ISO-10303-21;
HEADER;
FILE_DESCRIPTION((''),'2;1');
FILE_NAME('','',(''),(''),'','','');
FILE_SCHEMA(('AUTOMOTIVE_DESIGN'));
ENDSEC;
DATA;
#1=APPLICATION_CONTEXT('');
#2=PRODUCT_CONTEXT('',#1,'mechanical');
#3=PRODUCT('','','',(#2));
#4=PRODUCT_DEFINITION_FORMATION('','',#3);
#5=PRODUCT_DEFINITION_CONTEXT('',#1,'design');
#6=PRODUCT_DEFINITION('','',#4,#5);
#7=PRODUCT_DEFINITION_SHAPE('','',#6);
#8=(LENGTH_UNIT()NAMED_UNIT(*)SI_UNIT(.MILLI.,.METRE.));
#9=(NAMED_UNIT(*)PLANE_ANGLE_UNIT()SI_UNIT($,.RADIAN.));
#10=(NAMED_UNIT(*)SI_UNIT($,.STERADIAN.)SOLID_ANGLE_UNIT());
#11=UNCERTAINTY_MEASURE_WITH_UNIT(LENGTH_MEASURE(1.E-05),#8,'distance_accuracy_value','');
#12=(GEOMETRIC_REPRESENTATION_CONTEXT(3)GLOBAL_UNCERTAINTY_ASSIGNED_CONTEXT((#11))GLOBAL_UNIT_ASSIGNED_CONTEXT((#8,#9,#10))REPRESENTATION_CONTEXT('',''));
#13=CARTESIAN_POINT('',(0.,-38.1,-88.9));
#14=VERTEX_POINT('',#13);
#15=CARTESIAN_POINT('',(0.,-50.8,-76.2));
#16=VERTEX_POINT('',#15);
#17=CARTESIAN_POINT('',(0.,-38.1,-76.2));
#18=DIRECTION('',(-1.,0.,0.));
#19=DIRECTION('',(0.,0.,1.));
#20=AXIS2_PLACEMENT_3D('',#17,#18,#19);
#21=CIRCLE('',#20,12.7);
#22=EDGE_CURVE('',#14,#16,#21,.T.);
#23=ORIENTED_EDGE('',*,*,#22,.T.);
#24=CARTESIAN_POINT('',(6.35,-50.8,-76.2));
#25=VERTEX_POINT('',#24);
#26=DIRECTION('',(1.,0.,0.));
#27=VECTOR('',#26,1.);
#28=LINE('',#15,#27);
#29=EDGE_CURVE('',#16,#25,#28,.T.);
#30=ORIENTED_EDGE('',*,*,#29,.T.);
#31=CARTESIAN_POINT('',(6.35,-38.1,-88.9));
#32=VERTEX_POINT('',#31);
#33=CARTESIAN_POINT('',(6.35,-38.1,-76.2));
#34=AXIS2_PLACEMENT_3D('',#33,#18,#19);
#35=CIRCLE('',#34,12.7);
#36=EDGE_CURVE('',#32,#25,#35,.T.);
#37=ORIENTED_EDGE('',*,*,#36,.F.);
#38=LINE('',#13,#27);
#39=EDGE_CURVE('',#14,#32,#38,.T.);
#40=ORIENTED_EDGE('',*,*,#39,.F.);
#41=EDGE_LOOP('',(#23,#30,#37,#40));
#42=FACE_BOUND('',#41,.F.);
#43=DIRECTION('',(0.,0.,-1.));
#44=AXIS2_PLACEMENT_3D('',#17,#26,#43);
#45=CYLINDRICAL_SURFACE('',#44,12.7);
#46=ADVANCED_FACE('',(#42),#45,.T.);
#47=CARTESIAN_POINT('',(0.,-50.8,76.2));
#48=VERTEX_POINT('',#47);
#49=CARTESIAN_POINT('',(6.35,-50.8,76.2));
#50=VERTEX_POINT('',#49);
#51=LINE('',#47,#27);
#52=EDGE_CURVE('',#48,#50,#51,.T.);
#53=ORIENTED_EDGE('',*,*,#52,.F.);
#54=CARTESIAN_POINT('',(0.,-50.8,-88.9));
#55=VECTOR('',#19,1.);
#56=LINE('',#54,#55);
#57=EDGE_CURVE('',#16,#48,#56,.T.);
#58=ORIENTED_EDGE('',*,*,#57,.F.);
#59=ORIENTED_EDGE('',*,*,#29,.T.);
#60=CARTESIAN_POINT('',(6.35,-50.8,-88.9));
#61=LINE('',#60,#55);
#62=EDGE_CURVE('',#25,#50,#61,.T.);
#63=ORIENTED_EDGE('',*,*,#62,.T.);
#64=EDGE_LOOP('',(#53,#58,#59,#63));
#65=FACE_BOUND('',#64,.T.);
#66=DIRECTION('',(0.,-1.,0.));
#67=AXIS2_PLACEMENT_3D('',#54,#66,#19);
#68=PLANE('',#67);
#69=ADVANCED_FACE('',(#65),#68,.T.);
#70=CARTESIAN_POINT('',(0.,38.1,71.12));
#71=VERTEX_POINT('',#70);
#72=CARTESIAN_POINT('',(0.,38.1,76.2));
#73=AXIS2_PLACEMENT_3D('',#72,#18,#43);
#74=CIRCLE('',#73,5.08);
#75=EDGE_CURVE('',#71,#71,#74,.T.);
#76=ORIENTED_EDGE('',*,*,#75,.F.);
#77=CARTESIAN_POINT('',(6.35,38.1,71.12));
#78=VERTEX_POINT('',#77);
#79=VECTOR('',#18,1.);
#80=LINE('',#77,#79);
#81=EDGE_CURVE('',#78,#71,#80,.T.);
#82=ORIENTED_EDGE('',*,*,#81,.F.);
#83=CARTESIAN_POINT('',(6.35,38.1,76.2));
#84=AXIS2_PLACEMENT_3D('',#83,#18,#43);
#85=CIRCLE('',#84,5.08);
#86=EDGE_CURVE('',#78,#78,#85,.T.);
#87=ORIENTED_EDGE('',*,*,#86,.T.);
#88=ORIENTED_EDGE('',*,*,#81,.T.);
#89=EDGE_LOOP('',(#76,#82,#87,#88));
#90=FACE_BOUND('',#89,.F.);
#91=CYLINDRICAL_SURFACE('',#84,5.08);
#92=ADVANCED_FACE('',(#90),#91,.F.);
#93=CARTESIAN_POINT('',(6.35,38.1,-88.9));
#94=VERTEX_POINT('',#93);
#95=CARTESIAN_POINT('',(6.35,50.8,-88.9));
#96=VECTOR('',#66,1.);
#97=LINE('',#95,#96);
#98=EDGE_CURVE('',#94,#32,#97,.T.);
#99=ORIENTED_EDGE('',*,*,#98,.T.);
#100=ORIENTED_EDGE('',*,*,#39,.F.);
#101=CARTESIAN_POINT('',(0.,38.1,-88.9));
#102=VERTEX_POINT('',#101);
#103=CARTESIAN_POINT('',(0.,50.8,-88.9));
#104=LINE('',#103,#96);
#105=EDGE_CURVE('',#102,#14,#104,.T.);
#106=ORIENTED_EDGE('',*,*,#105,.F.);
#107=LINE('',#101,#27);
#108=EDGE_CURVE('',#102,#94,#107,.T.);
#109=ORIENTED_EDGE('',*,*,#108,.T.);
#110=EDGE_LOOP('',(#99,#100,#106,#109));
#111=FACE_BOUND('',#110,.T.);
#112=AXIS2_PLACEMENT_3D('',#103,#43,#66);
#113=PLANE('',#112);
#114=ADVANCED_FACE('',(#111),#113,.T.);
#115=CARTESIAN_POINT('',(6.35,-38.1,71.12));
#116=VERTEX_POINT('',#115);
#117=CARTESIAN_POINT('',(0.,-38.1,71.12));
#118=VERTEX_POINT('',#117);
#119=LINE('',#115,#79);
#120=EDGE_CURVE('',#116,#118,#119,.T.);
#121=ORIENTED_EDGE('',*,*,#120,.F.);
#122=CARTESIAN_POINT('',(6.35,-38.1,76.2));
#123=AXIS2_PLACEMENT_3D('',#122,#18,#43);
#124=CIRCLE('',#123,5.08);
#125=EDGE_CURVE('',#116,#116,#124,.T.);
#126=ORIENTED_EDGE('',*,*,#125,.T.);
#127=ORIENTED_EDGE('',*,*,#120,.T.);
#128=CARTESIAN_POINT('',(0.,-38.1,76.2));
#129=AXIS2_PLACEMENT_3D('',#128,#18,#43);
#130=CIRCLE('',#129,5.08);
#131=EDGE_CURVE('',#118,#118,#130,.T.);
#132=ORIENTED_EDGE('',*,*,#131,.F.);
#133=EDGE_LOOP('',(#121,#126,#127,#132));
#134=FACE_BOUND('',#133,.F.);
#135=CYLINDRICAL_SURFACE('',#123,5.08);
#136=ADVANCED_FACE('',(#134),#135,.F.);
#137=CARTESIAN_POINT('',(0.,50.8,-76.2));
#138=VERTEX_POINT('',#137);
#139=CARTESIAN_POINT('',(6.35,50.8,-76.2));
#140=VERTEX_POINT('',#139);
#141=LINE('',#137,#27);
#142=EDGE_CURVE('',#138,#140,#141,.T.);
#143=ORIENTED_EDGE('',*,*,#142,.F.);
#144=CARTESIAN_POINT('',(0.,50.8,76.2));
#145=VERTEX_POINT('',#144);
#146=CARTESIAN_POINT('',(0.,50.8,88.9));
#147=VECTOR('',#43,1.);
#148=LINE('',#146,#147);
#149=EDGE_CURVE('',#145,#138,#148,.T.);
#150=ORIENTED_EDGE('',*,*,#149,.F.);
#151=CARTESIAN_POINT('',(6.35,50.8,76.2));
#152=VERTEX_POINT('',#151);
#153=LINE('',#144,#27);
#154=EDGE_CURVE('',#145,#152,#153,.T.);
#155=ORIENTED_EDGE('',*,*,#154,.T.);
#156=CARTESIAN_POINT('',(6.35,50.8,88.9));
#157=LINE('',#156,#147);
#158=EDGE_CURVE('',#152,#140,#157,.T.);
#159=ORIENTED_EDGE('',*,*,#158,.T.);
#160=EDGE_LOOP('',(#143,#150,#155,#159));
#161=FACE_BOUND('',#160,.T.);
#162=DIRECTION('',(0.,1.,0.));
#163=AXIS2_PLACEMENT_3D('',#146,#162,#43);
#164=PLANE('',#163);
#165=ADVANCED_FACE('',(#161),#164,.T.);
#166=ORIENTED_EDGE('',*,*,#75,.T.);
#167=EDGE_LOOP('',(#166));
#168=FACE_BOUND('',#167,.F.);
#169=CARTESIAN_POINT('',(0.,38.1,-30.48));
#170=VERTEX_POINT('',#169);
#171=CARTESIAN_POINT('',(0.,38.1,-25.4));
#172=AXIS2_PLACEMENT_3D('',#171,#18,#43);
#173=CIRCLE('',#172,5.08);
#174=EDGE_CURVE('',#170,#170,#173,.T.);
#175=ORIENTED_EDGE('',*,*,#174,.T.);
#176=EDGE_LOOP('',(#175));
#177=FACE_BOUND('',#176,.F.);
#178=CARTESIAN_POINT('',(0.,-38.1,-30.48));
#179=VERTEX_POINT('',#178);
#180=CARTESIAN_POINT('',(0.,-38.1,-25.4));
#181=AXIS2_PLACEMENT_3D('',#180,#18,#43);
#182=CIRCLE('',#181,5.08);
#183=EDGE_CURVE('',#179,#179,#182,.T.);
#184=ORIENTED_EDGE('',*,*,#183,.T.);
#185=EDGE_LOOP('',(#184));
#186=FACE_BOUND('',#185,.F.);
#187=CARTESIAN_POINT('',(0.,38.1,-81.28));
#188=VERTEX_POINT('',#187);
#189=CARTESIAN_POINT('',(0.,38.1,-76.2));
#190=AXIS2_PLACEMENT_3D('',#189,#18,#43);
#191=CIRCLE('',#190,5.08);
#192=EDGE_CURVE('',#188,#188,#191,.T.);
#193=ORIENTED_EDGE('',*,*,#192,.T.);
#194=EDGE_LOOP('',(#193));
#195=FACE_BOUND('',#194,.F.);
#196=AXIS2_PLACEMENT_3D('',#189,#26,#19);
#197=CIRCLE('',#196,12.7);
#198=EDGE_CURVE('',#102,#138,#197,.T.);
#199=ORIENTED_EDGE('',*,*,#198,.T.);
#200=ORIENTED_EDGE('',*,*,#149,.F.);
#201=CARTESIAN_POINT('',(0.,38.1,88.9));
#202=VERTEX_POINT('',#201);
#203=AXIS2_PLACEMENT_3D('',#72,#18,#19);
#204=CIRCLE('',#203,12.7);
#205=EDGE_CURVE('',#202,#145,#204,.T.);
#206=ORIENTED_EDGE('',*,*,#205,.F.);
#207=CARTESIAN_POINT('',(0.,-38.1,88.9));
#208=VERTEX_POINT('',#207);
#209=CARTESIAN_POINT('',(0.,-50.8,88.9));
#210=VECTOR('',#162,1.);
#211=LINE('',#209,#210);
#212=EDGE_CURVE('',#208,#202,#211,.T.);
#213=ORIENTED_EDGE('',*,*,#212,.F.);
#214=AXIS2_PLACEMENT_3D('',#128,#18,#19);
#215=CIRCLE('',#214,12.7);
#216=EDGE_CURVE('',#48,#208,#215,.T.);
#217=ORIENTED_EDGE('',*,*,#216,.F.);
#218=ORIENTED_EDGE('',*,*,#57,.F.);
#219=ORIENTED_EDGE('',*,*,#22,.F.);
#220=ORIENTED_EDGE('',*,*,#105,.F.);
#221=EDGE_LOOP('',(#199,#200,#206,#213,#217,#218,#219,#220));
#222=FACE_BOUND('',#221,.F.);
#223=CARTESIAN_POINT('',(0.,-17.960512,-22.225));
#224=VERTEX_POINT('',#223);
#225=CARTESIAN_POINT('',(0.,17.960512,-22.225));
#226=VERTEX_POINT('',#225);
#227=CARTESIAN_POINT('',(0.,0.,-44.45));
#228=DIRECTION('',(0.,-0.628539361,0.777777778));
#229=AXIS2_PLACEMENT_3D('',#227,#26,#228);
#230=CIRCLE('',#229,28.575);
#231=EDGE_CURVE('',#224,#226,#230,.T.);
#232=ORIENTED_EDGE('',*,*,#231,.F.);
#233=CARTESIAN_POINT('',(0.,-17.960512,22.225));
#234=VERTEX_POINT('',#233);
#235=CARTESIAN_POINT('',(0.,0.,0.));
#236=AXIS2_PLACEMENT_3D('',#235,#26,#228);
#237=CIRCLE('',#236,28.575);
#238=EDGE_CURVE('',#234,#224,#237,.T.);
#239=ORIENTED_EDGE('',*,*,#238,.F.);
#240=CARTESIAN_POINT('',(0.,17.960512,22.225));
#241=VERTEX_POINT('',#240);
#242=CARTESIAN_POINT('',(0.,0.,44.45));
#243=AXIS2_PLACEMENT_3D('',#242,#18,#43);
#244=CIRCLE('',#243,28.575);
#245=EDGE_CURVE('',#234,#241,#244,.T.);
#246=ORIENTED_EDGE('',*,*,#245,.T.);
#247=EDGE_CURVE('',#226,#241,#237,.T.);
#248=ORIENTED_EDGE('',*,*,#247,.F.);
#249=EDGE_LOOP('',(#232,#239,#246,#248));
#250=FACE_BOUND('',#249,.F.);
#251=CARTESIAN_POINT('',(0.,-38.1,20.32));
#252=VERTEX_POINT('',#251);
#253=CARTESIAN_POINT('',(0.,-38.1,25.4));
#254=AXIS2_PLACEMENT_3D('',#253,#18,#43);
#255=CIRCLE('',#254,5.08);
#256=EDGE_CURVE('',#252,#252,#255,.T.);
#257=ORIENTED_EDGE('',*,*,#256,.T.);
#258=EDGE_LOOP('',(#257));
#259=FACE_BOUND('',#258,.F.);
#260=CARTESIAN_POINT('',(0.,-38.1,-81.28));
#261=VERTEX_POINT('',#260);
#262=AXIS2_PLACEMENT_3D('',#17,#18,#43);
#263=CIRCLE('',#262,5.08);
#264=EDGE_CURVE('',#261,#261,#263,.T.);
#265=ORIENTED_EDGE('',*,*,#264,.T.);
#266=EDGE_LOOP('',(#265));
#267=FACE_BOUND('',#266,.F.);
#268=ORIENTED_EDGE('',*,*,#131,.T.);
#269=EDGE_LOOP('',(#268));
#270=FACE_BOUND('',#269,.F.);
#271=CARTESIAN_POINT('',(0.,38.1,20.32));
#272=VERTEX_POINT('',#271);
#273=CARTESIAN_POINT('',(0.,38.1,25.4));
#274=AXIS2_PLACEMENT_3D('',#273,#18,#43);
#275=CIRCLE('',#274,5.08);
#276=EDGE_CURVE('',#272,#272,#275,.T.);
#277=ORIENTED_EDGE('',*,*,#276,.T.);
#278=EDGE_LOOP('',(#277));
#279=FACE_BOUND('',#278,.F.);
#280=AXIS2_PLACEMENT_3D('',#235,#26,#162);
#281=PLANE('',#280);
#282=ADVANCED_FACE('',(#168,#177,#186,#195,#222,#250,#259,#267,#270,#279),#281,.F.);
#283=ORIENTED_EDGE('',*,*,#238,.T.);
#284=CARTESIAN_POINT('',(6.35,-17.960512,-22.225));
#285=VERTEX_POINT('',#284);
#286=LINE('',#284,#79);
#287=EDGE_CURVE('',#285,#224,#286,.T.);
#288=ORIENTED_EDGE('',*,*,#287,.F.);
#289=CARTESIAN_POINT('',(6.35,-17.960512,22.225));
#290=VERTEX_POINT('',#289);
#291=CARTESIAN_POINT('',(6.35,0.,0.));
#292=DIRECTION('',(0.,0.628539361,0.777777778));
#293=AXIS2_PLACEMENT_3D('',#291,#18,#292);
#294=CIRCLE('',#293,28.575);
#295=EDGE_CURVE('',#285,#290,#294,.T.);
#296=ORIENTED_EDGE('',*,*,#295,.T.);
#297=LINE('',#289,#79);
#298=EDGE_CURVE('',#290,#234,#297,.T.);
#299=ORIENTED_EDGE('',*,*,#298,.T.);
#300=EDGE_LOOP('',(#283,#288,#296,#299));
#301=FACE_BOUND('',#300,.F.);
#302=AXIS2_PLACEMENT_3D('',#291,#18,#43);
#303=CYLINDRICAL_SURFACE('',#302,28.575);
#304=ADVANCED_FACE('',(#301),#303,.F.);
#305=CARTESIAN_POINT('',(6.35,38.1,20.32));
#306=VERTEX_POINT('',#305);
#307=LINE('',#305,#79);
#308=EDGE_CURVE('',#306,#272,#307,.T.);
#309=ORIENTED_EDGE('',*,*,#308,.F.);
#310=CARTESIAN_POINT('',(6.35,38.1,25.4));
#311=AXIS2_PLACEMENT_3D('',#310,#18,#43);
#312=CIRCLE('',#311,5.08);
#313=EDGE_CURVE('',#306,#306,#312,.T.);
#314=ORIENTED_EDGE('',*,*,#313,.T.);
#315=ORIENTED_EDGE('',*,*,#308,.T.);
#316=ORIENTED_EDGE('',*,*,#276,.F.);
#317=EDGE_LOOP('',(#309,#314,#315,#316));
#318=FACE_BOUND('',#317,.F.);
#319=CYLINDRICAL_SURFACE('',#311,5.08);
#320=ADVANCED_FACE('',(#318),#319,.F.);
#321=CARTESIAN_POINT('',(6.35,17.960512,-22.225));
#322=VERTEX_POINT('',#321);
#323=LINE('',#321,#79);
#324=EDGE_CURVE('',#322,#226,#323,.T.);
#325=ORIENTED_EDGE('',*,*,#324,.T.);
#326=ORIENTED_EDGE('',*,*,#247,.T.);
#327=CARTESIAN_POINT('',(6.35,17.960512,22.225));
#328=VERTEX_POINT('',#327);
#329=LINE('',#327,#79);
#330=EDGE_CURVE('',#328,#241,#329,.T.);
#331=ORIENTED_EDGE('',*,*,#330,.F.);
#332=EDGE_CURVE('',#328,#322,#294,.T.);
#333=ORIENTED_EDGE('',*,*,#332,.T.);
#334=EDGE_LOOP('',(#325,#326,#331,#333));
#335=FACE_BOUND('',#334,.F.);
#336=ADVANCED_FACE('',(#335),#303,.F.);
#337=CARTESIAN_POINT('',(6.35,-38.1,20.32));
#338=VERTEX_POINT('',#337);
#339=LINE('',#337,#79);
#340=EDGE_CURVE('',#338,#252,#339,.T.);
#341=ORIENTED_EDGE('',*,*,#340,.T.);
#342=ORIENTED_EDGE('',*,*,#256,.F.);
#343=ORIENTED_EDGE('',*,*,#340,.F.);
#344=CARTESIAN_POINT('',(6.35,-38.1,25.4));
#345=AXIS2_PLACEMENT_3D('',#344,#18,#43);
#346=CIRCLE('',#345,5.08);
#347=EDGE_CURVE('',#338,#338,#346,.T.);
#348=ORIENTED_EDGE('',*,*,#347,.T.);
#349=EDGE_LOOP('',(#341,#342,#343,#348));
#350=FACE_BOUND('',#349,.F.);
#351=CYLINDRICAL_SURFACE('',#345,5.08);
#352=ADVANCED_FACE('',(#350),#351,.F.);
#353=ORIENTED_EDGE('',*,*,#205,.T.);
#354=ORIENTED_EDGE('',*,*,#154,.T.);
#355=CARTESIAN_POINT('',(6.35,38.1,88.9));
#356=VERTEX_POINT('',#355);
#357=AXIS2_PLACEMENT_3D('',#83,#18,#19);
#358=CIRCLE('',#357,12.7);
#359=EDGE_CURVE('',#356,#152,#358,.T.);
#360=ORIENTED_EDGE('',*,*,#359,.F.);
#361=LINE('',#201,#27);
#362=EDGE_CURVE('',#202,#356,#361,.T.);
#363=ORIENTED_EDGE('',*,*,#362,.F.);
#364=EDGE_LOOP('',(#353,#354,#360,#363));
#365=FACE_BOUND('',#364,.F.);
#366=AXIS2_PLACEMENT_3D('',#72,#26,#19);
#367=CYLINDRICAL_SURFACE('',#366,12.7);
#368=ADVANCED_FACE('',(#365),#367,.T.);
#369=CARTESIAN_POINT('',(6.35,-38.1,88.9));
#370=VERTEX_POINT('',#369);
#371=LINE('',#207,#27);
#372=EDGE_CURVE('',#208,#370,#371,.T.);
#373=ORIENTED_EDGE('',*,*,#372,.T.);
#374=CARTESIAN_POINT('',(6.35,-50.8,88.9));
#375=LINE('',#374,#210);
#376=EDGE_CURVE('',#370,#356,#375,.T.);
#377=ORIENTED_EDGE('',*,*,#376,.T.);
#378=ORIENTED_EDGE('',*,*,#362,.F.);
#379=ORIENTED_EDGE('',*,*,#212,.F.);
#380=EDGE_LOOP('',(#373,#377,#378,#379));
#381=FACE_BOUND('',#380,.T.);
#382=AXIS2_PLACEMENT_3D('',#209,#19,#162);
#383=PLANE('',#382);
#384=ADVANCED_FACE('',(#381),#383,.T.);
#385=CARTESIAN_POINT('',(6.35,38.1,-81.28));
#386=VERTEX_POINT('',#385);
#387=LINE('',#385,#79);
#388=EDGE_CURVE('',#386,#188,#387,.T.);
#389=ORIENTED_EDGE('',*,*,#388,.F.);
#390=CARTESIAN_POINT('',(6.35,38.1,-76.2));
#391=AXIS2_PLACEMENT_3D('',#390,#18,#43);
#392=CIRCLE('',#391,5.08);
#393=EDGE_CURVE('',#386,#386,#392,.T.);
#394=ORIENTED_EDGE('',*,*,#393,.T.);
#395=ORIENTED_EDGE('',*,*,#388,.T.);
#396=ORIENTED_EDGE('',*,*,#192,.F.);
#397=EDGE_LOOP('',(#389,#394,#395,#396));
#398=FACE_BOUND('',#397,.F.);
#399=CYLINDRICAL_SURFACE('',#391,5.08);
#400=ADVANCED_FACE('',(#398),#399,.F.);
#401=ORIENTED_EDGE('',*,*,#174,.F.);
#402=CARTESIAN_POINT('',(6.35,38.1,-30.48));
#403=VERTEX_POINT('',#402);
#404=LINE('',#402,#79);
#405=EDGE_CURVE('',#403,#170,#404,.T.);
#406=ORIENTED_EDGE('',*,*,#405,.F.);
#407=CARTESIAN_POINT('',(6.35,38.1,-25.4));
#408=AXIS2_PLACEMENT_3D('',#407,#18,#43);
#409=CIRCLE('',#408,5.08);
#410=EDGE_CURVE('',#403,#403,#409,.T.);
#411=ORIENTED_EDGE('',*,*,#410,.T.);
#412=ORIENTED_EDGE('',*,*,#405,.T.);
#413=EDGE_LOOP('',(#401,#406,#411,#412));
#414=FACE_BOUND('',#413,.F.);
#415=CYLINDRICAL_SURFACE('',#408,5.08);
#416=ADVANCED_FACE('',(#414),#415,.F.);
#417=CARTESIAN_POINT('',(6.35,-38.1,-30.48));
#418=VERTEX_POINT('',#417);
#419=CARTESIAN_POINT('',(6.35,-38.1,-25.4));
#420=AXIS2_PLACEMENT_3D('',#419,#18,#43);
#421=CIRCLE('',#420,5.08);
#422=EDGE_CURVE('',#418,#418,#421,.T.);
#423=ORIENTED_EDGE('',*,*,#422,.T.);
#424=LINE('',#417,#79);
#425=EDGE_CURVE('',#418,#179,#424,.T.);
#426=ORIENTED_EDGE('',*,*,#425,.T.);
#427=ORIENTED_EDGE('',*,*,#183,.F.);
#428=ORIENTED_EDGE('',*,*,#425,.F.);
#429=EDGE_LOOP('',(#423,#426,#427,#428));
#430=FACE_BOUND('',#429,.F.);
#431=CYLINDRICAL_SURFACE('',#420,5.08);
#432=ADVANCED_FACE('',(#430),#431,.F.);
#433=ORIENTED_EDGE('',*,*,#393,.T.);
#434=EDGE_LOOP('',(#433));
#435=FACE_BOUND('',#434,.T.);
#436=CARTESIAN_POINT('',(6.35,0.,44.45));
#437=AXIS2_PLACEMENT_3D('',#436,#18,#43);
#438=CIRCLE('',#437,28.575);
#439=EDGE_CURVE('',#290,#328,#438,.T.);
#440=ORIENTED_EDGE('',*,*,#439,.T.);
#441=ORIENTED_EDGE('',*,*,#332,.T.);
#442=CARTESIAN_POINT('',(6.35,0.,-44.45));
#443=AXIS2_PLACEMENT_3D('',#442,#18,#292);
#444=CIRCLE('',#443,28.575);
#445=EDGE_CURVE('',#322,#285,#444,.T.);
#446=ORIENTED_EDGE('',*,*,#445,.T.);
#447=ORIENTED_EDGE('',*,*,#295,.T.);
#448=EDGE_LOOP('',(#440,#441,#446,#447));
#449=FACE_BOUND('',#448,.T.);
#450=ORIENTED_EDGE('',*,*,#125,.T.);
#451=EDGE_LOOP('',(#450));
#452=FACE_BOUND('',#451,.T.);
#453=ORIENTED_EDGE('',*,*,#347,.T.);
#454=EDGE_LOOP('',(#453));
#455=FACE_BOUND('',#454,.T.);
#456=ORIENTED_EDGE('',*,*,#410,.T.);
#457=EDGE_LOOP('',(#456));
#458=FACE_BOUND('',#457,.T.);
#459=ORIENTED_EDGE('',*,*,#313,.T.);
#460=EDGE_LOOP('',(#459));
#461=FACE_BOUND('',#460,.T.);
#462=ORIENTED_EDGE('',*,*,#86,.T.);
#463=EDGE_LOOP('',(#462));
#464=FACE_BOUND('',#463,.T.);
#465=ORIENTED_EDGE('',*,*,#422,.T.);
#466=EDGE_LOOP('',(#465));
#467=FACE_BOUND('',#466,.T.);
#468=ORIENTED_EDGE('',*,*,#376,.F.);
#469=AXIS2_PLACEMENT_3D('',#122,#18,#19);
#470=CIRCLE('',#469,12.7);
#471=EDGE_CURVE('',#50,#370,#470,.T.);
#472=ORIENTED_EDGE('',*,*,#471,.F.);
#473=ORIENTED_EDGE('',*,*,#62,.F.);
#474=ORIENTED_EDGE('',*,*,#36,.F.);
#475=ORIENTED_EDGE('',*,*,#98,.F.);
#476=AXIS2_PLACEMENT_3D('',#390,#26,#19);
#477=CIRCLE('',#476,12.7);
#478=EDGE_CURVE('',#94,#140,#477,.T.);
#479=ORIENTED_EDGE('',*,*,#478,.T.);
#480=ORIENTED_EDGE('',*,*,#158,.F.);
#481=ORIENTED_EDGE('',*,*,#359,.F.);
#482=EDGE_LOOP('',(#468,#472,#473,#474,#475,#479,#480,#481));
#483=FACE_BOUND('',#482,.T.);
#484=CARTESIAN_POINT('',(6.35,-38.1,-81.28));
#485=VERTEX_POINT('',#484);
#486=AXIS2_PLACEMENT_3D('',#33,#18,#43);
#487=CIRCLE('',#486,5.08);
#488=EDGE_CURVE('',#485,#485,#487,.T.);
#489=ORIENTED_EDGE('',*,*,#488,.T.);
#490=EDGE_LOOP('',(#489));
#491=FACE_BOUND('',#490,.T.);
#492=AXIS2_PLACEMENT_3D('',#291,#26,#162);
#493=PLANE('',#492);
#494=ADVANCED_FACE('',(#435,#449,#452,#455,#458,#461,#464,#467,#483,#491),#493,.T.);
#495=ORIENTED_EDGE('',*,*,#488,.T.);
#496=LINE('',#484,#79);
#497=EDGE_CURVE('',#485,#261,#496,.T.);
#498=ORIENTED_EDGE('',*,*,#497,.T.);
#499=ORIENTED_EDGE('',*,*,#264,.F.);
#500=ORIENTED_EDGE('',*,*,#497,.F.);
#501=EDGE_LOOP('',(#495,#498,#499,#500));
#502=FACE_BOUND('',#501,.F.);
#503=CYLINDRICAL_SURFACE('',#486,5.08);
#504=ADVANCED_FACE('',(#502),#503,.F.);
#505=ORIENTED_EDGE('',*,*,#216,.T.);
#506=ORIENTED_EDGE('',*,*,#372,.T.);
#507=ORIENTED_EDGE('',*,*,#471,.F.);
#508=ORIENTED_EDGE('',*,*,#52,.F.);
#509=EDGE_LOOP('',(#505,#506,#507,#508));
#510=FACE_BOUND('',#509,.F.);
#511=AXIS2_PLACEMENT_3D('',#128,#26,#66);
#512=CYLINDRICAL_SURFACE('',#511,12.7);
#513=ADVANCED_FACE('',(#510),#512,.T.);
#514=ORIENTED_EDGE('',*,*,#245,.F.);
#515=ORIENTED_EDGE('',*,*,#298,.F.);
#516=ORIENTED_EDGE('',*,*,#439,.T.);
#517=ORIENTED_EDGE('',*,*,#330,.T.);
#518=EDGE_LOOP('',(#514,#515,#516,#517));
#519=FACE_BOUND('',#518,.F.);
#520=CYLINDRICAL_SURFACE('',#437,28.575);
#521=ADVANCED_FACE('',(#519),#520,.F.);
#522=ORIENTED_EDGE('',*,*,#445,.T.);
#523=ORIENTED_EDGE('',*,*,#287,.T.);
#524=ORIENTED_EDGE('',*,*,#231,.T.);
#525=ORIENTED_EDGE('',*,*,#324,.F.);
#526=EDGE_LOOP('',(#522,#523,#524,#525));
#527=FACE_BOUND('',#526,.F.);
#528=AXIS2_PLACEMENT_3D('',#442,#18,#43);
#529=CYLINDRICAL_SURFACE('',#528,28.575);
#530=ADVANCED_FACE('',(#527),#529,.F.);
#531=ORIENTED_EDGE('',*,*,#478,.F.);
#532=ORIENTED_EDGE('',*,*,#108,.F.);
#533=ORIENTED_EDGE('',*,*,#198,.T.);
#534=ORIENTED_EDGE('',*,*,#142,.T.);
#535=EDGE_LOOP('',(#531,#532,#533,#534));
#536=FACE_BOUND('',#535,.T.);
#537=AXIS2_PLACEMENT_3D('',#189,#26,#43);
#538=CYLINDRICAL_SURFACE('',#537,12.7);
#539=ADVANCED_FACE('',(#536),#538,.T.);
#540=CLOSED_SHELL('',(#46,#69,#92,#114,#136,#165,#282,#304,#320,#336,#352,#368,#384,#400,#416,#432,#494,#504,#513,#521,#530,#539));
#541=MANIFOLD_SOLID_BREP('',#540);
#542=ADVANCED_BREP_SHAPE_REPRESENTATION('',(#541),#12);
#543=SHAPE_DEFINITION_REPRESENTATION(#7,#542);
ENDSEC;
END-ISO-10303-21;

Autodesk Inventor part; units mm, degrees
ref_plane "YZ Plane" through (0, 0, 0) normal (1, 0, 0) x (0, 1, 0)
ref_plane "XZ Plane" through (0, 0, 0) normal (0, 1, 0) x (-1, 0, 0)
ref_plane "XY Plane" through (0, 0, 0) normal (0, 0, 1) x (1, 0, 0)
sketch "Sketch1" plane through (0, 0, 0) normal (1, 0, 0) x (0, 1, 0)
  line L0 (50.8, -88.9) -> (-50.8, -88.9)
  line L1 (-50.8, -88.9) -> (-50.8, 88.9)
  line L2 (-50.8, 88.9) -> (50.8, 88.9)
  line L3 (50.8, 88.9) -> (50.8, -88.9)
  line L4 (50.8, -88.9) -> (-50.8, 88.9) construction
  line L5 (-50.8, -88.9) -> (50.8, 88.9) construction
  point P0 (0, 0)
  dimension "d0" = 101.6
  dimension "d1" = 177.8
extrude "RECTANGLE" add sketch "Sketch1" along normal blind 6.35
fillet "FILLETS" radius 12.7 4 edges at (3.175, 50.8, 88.9) (3.175, -50.8, 88.9) (3.175, 50.8, -88.9) (3.175, -50.8, -88.9)
sketch "Sketch2" plane through (6.35, 0, 0) normal (1, 0, 0) x (0, 0, -1)
  arc A0 (-88.9, -38.1) -> (-76.2, -50.8) centre (-76.2, -38.1) ccw projected
  point P0 (0, 0)
hole "SMALL HOLE" at (6.35, -38.1, 76.2) direction (-1, 0, 0) diameter 10.16 end through all
pattern_linear "SMALL HOLES" count 4 spacing 50.8 along (0, 0, -1) count 2 spacing 76.2 along (0, 1, 0) of "SMALL HOLE"
sketch "Sketch3" plane through (6.35, 0, 0) normal (1, 0, 0) x (0, 0, -1)
  line L0 (-88.9, 38.1) -> (-88.9, -38.1) projected
  point P0 (0, 0)
  point P1 (-44.45, 0)
  dimension "d25" = 44.45
  dimension "d26" = 0
hole "LARGE HOLE" at (6.35, 0, 44.45) direction (-1, 0, 0) diameter 57.15 end through all
pattern_linear "LARGE HOLES" count 3 spacing 44.45 along (0, 0, -1) of "LARGE HOLE"
properties part number "ANS8-5-BK" material "Rubber"
